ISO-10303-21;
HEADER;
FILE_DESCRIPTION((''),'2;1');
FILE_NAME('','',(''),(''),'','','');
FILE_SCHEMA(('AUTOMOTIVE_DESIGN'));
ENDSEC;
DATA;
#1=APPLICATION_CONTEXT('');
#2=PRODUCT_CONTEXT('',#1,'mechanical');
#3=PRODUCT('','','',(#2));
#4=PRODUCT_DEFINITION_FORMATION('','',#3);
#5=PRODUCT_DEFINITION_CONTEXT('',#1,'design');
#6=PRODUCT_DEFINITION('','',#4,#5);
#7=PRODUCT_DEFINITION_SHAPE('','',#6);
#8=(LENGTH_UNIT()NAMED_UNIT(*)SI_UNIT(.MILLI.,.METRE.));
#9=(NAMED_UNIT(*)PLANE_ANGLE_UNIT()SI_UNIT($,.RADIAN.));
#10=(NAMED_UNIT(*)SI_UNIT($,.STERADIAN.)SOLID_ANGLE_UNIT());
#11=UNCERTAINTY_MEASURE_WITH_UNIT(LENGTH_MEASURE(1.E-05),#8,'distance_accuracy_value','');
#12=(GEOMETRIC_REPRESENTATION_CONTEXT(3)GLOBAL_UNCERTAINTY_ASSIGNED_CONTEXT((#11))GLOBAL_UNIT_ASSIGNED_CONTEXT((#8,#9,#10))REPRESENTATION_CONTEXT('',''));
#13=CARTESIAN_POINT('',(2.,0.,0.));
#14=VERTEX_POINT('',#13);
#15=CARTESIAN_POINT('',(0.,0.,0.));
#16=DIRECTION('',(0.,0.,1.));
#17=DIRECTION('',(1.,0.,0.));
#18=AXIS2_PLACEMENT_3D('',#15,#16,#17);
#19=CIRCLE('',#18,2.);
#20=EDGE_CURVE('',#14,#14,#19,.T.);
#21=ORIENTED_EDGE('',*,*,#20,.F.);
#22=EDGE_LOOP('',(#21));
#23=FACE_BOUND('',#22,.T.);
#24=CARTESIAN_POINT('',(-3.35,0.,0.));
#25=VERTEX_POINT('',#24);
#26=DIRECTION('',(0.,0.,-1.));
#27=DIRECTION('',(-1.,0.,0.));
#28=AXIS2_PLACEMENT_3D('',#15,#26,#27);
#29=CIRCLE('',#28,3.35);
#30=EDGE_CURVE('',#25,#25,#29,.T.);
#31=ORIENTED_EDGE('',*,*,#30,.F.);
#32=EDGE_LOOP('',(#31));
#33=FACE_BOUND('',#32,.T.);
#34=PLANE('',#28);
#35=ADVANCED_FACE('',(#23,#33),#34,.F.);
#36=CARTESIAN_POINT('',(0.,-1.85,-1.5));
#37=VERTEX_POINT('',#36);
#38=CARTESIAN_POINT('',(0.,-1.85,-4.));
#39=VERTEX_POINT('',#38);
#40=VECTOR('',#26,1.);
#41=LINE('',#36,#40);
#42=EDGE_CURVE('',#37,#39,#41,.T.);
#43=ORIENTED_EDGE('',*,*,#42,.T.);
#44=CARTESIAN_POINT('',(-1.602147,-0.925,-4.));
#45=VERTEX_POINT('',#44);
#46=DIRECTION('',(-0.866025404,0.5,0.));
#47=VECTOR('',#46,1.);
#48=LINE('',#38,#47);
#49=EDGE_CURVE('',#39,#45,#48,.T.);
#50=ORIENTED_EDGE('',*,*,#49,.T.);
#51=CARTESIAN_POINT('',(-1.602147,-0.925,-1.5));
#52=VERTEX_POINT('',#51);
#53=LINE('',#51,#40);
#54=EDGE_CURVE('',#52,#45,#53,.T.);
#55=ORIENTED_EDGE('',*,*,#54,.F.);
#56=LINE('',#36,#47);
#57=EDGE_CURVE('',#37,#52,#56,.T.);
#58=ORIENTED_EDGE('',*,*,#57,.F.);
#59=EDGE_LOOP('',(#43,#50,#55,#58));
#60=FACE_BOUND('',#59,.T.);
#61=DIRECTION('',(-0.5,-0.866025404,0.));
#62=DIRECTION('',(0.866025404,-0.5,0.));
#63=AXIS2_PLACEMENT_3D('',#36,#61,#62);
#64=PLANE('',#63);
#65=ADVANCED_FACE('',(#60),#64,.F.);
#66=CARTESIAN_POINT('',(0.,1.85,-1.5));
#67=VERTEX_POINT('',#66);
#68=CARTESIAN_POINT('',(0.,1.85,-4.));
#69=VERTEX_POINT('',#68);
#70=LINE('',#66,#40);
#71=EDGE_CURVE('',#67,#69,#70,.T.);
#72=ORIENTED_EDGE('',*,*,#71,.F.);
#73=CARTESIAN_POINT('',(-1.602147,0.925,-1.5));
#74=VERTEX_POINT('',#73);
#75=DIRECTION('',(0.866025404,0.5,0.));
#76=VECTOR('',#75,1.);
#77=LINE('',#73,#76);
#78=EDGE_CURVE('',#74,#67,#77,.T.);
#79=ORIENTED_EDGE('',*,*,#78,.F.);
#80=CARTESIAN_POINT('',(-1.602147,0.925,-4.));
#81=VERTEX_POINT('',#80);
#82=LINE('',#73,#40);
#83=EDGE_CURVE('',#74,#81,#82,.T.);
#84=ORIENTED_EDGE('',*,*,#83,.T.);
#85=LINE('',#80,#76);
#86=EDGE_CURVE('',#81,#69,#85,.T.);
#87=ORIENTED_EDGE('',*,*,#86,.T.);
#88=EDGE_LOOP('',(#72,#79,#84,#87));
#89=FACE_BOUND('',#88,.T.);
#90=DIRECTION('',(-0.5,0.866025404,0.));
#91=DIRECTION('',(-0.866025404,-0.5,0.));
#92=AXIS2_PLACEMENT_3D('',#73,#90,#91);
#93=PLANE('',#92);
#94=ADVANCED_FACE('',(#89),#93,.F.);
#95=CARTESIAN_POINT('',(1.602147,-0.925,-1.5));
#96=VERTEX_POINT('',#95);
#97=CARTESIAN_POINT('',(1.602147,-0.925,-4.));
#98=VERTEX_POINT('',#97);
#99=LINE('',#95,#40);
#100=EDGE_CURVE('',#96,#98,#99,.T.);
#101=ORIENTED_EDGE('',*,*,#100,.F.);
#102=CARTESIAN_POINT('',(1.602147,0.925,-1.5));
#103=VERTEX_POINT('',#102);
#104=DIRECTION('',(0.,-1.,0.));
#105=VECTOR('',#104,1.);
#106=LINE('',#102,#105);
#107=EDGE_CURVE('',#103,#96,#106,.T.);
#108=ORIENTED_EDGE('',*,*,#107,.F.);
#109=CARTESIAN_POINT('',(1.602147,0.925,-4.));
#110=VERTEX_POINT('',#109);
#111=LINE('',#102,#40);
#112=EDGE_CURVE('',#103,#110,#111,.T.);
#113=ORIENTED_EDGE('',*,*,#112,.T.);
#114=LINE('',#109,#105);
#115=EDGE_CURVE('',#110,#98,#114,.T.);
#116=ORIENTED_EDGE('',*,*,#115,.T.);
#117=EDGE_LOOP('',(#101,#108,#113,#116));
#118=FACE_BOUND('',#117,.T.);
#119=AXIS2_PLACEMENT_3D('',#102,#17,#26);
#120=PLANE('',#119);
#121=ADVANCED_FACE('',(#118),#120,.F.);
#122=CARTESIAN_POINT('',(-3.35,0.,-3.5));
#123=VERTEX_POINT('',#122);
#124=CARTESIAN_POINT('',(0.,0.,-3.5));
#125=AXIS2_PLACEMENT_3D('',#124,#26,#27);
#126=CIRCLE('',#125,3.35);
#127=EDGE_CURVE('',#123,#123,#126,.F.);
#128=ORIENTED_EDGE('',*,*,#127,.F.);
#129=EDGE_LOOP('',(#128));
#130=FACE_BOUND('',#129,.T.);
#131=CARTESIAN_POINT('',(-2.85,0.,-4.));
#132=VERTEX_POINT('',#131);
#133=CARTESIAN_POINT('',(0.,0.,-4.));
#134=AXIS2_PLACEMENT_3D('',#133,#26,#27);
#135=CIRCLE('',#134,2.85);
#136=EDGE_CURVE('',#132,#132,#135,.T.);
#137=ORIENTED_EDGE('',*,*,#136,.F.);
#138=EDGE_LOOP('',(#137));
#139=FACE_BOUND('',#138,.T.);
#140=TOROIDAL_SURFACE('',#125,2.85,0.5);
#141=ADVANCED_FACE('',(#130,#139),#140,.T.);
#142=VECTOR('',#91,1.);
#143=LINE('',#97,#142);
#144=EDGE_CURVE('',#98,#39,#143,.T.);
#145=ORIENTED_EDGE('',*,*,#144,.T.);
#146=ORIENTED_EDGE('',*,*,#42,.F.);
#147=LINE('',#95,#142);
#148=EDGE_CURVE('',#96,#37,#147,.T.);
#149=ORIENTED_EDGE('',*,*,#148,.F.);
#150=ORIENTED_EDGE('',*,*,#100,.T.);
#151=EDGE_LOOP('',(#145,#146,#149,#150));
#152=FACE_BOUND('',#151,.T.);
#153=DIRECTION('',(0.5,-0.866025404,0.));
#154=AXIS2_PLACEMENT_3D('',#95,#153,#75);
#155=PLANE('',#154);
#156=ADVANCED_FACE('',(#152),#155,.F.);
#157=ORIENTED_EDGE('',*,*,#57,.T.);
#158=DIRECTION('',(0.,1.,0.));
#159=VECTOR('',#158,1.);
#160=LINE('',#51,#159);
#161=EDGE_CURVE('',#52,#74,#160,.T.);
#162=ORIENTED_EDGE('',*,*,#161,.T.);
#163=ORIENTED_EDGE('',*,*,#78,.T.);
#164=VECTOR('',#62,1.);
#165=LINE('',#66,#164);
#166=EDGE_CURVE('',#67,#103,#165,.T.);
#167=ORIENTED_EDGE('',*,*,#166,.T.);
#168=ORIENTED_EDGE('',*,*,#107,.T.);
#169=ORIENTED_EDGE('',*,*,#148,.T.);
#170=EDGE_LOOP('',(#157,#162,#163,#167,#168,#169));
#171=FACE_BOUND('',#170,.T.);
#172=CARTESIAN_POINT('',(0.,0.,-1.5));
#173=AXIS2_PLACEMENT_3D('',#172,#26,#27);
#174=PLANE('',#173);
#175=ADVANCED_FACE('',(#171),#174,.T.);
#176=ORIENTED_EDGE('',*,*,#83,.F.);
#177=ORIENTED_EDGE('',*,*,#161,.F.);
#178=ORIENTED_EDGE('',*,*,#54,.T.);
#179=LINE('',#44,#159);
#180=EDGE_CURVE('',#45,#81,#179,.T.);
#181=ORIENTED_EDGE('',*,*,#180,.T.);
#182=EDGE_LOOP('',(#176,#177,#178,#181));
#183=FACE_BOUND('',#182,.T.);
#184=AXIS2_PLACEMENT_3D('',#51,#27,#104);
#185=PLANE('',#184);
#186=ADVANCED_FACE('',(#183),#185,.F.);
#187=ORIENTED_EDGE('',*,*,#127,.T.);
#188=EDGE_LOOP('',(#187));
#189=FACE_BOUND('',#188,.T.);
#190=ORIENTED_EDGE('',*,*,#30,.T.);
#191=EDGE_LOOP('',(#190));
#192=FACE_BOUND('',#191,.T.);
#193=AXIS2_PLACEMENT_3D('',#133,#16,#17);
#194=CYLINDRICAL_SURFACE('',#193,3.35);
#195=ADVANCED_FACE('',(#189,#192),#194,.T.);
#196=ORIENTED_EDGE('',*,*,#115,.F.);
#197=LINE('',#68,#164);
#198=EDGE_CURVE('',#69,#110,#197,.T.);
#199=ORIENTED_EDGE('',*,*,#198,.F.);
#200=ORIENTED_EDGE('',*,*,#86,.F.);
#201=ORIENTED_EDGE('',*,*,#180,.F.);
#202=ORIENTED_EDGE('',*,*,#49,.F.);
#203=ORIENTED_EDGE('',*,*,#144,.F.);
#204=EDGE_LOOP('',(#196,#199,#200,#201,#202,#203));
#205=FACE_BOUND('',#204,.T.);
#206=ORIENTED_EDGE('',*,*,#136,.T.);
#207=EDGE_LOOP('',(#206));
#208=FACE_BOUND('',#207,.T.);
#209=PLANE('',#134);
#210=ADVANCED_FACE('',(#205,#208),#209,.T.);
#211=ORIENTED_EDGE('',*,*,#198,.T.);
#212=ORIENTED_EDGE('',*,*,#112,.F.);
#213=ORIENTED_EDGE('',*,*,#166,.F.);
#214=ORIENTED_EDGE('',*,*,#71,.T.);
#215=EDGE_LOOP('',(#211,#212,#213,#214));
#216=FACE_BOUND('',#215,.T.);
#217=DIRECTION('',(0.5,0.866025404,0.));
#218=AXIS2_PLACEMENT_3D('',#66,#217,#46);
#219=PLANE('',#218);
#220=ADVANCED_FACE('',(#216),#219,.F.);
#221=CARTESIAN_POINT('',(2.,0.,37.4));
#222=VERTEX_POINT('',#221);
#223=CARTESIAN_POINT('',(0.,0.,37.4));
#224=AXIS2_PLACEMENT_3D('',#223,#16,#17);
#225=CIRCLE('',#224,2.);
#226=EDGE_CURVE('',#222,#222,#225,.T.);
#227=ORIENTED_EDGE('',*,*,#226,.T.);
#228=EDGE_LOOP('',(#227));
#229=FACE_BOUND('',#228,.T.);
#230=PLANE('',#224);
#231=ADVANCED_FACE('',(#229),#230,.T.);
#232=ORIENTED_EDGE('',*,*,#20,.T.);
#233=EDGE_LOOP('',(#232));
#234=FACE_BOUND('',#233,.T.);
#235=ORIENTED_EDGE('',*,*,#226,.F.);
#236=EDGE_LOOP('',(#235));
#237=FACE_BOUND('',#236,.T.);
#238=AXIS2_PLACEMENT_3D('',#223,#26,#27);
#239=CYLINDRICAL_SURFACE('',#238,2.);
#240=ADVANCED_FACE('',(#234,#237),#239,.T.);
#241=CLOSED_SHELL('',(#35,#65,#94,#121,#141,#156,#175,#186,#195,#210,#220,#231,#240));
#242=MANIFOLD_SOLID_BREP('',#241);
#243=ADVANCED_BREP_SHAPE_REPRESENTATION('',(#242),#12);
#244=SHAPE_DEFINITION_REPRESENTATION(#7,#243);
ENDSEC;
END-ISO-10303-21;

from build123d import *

# Parameters (mm, degrees)
CROQUIS1_R              = 2
SALIENTE_EXTRUIR1_DEPTH = 37.4
CROQUIS2_R              = 3.35
SALIENTE_EXTRUIR2_DEPTH = 4
CORTAR_EXTRUIR1_DEPTH   = 2.5
REDONDEO1_R             = 0.5


with BuildPart() as part:
    # Croquis1 → Saliente-Extruir1 (new body)
    with BuildSketch(Plane.XY):
        Circle(CROQUIS1_R)
    extrude(amount=SALIENTE_EXTRUIR1_DEPTH)

    # Croquis2 → Saliente-Extruir2 (add)
    with BuildSketch(Plane(origin=(0, 0, 0), x_dir=(-1, 0, 0), z_dir=(0, 0, -1))):
        Circle(CROQUIS2_R)
    extrude(amount=SALIENTE_EXTRUIR2_DEPTH)

    # Croquis3 → Cortar-Extruir1 (cut)
    with BuildSketch(Plane(origin=(0, 0, -4), x_dir=(-1, 0, 0), z_dir=(0, 0, -1))):
        Polygon((0, -1.85), (1.602146997, -0.925), (1.602146997, 0.925), (0, 1.85), (-1.602146997, 0.925), (-1.602146997, -0.925), align=None)
    extrude(amount=-CORTAR_EXTRUIR1_DEPTH, mode=Mode.SUBTRACT)

    # Redondeo1
    redondeo1_edges = [part.edges().sort_by_distance(p)[0] for p in [
        (3.35, 0, -4),
    ]]
    fillet(redondeo1_edges, radius=REDONDEO1_R)


solid = part.part
